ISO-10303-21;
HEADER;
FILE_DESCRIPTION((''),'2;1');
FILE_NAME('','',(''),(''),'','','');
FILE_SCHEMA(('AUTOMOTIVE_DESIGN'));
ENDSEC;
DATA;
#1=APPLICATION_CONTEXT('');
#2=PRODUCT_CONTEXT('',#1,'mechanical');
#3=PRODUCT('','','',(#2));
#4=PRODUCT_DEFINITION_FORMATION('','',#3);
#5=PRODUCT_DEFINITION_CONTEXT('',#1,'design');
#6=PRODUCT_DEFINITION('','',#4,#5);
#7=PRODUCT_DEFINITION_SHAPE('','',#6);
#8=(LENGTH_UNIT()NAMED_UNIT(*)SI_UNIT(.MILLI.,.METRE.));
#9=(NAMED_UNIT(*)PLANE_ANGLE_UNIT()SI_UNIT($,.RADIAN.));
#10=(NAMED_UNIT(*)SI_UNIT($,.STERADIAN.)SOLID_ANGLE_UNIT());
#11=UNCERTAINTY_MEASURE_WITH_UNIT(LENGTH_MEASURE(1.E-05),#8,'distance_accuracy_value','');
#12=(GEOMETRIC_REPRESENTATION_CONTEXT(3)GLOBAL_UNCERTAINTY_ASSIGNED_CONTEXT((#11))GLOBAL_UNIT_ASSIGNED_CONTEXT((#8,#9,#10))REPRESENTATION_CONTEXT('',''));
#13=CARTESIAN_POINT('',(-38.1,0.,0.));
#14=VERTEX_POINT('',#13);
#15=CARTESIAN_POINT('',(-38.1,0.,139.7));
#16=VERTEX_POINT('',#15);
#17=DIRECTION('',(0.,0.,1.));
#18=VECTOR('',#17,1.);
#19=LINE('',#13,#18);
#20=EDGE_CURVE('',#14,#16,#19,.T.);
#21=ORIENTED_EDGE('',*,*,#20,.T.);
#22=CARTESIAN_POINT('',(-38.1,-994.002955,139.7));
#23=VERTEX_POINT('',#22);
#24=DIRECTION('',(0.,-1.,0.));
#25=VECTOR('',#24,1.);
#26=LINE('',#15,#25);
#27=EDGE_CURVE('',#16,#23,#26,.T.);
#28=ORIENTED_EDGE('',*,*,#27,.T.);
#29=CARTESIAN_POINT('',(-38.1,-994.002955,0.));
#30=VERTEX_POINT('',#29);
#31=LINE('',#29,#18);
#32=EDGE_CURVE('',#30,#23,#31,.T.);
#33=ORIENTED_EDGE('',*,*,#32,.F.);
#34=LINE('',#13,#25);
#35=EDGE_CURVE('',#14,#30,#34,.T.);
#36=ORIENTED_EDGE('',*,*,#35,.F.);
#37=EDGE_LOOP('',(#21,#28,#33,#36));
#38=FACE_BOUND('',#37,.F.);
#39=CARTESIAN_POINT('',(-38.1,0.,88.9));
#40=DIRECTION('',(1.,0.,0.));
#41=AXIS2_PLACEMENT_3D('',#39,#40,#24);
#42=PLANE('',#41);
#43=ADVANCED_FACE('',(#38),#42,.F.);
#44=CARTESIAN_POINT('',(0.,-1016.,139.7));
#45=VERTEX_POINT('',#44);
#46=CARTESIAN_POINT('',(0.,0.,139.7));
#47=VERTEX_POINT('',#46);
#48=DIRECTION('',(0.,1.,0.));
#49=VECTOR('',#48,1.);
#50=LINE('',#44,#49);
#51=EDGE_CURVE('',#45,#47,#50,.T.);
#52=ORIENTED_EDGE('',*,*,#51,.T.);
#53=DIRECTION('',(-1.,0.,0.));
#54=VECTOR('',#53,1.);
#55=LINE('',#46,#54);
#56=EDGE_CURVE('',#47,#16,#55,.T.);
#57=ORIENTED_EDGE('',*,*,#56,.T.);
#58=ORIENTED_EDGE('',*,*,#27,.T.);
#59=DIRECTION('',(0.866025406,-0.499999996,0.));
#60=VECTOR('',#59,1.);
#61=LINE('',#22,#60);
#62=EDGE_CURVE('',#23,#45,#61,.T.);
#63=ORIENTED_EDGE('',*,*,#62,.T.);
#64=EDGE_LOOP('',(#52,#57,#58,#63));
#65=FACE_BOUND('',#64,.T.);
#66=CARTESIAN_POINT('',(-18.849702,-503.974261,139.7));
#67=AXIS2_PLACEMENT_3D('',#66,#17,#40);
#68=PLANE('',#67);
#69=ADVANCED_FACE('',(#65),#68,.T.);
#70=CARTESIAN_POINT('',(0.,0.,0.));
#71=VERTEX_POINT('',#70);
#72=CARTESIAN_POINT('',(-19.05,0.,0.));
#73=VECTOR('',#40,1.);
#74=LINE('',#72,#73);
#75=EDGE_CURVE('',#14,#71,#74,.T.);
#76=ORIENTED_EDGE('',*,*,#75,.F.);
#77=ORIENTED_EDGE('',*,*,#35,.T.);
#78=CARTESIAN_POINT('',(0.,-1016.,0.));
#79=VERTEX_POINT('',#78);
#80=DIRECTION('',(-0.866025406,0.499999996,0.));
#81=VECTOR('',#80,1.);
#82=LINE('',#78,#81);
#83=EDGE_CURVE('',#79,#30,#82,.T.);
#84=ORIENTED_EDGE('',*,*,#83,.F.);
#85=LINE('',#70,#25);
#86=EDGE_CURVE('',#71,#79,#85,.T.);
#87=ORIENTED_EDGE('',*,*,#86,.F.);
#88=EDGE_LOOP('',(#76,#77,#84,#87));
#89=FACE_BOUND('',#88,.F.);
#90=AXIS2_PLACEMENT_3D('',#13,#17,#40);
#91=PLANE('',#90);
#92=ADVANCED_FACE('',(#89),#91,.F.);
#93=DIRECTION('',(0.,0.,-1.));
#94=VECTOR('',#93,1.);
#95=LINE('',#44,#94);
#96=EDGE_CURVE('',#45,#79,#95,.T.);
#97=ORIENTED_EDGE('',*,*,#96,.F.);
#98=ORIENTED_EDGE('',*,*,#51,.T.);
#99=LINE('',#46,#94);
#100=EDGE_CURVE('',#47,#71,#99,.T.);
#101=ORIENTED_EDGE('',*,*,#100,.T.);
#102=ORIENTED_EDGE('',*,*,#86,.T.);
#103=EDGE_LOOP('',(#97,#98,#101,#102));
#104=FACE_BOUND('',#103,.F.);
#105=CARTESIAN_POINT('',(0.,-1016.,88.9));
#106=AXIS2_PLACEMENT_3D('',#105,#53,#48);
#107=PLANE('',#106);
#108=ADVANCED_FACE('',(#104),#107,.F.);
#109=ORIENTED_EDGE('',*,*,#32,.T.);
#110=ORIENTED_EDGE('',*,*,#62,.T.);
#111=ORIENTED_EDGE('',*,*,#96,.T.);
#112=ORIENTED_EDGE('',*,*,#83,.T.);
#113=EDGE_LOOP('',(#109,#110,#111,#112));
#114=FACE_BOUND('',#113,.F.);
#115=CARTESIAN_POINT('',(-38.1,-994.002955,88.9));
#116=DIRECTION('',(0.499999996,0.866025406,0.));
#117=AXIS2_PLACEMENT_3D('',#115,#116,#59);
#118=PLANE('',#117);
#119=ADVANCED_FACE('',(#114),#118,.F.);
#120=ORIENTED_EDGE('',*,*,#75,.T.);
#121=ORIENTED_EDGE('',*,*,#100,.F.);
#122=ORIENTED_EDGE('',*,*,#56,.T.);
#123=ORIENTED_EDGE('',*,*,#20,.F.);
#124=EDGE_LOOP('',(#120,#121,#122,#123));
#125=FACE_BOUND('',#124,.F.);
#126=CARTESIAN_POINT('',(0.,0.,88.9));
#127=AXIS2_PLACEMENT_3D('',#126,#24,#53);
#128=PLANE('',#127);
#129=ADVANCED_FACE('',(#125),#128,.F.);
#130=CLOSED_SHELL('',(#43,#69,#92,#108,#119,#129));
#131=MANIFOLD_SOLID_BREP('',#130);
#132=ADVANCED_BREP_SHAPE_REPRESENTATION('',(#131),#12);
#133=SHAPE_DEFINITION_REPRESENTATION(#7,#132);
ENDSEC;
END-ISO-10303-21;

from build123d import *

# Parameters (mm, degrees)
F0_W     = 38.1
F0_H     = 88.9
F1_DEPTH = 1016
F4_DEPTH = 88.9
F5_DEPTH = 50.8


with BuildPart() as f1:
    # F0 (on Front) → F1 (new body)
    with BuildSketch(Plane.XZ):
        with Locations((-19.05, 44.45)):
            Rectangle(F0_W, F0_H)
    extrude(amount=F1_DEPTH)

    # F3 (on face) → F4 (cut)
    with BuildSketch(Plane.XY.offset(88.9)):
        Polygon((-38.1, -1016), (0, -1016), (-38.1, -994.002955), align=None)
    extrude(amount=-F4_DEPTH, mode=Mode.SUBTRACT)

    # F1_face (on face) → F5 (join)
    with BuildSketch(Plane(origin=(-19.05, -508, 88.9), x_dir=(1, 0, 0), z_dir=(0, 0, 1))):
        Polygon((19.05, 508), (-19.05, 508), (-19.05, -486.002955), (19.05, -508), align=None)
    extrude(amount=F5_DEPTH)


with BuildPart() as f2_1:
    # F2: copy of F1
    add(f1.part.moved(Location((76.2, 0, 0))))


solid = f1.part
